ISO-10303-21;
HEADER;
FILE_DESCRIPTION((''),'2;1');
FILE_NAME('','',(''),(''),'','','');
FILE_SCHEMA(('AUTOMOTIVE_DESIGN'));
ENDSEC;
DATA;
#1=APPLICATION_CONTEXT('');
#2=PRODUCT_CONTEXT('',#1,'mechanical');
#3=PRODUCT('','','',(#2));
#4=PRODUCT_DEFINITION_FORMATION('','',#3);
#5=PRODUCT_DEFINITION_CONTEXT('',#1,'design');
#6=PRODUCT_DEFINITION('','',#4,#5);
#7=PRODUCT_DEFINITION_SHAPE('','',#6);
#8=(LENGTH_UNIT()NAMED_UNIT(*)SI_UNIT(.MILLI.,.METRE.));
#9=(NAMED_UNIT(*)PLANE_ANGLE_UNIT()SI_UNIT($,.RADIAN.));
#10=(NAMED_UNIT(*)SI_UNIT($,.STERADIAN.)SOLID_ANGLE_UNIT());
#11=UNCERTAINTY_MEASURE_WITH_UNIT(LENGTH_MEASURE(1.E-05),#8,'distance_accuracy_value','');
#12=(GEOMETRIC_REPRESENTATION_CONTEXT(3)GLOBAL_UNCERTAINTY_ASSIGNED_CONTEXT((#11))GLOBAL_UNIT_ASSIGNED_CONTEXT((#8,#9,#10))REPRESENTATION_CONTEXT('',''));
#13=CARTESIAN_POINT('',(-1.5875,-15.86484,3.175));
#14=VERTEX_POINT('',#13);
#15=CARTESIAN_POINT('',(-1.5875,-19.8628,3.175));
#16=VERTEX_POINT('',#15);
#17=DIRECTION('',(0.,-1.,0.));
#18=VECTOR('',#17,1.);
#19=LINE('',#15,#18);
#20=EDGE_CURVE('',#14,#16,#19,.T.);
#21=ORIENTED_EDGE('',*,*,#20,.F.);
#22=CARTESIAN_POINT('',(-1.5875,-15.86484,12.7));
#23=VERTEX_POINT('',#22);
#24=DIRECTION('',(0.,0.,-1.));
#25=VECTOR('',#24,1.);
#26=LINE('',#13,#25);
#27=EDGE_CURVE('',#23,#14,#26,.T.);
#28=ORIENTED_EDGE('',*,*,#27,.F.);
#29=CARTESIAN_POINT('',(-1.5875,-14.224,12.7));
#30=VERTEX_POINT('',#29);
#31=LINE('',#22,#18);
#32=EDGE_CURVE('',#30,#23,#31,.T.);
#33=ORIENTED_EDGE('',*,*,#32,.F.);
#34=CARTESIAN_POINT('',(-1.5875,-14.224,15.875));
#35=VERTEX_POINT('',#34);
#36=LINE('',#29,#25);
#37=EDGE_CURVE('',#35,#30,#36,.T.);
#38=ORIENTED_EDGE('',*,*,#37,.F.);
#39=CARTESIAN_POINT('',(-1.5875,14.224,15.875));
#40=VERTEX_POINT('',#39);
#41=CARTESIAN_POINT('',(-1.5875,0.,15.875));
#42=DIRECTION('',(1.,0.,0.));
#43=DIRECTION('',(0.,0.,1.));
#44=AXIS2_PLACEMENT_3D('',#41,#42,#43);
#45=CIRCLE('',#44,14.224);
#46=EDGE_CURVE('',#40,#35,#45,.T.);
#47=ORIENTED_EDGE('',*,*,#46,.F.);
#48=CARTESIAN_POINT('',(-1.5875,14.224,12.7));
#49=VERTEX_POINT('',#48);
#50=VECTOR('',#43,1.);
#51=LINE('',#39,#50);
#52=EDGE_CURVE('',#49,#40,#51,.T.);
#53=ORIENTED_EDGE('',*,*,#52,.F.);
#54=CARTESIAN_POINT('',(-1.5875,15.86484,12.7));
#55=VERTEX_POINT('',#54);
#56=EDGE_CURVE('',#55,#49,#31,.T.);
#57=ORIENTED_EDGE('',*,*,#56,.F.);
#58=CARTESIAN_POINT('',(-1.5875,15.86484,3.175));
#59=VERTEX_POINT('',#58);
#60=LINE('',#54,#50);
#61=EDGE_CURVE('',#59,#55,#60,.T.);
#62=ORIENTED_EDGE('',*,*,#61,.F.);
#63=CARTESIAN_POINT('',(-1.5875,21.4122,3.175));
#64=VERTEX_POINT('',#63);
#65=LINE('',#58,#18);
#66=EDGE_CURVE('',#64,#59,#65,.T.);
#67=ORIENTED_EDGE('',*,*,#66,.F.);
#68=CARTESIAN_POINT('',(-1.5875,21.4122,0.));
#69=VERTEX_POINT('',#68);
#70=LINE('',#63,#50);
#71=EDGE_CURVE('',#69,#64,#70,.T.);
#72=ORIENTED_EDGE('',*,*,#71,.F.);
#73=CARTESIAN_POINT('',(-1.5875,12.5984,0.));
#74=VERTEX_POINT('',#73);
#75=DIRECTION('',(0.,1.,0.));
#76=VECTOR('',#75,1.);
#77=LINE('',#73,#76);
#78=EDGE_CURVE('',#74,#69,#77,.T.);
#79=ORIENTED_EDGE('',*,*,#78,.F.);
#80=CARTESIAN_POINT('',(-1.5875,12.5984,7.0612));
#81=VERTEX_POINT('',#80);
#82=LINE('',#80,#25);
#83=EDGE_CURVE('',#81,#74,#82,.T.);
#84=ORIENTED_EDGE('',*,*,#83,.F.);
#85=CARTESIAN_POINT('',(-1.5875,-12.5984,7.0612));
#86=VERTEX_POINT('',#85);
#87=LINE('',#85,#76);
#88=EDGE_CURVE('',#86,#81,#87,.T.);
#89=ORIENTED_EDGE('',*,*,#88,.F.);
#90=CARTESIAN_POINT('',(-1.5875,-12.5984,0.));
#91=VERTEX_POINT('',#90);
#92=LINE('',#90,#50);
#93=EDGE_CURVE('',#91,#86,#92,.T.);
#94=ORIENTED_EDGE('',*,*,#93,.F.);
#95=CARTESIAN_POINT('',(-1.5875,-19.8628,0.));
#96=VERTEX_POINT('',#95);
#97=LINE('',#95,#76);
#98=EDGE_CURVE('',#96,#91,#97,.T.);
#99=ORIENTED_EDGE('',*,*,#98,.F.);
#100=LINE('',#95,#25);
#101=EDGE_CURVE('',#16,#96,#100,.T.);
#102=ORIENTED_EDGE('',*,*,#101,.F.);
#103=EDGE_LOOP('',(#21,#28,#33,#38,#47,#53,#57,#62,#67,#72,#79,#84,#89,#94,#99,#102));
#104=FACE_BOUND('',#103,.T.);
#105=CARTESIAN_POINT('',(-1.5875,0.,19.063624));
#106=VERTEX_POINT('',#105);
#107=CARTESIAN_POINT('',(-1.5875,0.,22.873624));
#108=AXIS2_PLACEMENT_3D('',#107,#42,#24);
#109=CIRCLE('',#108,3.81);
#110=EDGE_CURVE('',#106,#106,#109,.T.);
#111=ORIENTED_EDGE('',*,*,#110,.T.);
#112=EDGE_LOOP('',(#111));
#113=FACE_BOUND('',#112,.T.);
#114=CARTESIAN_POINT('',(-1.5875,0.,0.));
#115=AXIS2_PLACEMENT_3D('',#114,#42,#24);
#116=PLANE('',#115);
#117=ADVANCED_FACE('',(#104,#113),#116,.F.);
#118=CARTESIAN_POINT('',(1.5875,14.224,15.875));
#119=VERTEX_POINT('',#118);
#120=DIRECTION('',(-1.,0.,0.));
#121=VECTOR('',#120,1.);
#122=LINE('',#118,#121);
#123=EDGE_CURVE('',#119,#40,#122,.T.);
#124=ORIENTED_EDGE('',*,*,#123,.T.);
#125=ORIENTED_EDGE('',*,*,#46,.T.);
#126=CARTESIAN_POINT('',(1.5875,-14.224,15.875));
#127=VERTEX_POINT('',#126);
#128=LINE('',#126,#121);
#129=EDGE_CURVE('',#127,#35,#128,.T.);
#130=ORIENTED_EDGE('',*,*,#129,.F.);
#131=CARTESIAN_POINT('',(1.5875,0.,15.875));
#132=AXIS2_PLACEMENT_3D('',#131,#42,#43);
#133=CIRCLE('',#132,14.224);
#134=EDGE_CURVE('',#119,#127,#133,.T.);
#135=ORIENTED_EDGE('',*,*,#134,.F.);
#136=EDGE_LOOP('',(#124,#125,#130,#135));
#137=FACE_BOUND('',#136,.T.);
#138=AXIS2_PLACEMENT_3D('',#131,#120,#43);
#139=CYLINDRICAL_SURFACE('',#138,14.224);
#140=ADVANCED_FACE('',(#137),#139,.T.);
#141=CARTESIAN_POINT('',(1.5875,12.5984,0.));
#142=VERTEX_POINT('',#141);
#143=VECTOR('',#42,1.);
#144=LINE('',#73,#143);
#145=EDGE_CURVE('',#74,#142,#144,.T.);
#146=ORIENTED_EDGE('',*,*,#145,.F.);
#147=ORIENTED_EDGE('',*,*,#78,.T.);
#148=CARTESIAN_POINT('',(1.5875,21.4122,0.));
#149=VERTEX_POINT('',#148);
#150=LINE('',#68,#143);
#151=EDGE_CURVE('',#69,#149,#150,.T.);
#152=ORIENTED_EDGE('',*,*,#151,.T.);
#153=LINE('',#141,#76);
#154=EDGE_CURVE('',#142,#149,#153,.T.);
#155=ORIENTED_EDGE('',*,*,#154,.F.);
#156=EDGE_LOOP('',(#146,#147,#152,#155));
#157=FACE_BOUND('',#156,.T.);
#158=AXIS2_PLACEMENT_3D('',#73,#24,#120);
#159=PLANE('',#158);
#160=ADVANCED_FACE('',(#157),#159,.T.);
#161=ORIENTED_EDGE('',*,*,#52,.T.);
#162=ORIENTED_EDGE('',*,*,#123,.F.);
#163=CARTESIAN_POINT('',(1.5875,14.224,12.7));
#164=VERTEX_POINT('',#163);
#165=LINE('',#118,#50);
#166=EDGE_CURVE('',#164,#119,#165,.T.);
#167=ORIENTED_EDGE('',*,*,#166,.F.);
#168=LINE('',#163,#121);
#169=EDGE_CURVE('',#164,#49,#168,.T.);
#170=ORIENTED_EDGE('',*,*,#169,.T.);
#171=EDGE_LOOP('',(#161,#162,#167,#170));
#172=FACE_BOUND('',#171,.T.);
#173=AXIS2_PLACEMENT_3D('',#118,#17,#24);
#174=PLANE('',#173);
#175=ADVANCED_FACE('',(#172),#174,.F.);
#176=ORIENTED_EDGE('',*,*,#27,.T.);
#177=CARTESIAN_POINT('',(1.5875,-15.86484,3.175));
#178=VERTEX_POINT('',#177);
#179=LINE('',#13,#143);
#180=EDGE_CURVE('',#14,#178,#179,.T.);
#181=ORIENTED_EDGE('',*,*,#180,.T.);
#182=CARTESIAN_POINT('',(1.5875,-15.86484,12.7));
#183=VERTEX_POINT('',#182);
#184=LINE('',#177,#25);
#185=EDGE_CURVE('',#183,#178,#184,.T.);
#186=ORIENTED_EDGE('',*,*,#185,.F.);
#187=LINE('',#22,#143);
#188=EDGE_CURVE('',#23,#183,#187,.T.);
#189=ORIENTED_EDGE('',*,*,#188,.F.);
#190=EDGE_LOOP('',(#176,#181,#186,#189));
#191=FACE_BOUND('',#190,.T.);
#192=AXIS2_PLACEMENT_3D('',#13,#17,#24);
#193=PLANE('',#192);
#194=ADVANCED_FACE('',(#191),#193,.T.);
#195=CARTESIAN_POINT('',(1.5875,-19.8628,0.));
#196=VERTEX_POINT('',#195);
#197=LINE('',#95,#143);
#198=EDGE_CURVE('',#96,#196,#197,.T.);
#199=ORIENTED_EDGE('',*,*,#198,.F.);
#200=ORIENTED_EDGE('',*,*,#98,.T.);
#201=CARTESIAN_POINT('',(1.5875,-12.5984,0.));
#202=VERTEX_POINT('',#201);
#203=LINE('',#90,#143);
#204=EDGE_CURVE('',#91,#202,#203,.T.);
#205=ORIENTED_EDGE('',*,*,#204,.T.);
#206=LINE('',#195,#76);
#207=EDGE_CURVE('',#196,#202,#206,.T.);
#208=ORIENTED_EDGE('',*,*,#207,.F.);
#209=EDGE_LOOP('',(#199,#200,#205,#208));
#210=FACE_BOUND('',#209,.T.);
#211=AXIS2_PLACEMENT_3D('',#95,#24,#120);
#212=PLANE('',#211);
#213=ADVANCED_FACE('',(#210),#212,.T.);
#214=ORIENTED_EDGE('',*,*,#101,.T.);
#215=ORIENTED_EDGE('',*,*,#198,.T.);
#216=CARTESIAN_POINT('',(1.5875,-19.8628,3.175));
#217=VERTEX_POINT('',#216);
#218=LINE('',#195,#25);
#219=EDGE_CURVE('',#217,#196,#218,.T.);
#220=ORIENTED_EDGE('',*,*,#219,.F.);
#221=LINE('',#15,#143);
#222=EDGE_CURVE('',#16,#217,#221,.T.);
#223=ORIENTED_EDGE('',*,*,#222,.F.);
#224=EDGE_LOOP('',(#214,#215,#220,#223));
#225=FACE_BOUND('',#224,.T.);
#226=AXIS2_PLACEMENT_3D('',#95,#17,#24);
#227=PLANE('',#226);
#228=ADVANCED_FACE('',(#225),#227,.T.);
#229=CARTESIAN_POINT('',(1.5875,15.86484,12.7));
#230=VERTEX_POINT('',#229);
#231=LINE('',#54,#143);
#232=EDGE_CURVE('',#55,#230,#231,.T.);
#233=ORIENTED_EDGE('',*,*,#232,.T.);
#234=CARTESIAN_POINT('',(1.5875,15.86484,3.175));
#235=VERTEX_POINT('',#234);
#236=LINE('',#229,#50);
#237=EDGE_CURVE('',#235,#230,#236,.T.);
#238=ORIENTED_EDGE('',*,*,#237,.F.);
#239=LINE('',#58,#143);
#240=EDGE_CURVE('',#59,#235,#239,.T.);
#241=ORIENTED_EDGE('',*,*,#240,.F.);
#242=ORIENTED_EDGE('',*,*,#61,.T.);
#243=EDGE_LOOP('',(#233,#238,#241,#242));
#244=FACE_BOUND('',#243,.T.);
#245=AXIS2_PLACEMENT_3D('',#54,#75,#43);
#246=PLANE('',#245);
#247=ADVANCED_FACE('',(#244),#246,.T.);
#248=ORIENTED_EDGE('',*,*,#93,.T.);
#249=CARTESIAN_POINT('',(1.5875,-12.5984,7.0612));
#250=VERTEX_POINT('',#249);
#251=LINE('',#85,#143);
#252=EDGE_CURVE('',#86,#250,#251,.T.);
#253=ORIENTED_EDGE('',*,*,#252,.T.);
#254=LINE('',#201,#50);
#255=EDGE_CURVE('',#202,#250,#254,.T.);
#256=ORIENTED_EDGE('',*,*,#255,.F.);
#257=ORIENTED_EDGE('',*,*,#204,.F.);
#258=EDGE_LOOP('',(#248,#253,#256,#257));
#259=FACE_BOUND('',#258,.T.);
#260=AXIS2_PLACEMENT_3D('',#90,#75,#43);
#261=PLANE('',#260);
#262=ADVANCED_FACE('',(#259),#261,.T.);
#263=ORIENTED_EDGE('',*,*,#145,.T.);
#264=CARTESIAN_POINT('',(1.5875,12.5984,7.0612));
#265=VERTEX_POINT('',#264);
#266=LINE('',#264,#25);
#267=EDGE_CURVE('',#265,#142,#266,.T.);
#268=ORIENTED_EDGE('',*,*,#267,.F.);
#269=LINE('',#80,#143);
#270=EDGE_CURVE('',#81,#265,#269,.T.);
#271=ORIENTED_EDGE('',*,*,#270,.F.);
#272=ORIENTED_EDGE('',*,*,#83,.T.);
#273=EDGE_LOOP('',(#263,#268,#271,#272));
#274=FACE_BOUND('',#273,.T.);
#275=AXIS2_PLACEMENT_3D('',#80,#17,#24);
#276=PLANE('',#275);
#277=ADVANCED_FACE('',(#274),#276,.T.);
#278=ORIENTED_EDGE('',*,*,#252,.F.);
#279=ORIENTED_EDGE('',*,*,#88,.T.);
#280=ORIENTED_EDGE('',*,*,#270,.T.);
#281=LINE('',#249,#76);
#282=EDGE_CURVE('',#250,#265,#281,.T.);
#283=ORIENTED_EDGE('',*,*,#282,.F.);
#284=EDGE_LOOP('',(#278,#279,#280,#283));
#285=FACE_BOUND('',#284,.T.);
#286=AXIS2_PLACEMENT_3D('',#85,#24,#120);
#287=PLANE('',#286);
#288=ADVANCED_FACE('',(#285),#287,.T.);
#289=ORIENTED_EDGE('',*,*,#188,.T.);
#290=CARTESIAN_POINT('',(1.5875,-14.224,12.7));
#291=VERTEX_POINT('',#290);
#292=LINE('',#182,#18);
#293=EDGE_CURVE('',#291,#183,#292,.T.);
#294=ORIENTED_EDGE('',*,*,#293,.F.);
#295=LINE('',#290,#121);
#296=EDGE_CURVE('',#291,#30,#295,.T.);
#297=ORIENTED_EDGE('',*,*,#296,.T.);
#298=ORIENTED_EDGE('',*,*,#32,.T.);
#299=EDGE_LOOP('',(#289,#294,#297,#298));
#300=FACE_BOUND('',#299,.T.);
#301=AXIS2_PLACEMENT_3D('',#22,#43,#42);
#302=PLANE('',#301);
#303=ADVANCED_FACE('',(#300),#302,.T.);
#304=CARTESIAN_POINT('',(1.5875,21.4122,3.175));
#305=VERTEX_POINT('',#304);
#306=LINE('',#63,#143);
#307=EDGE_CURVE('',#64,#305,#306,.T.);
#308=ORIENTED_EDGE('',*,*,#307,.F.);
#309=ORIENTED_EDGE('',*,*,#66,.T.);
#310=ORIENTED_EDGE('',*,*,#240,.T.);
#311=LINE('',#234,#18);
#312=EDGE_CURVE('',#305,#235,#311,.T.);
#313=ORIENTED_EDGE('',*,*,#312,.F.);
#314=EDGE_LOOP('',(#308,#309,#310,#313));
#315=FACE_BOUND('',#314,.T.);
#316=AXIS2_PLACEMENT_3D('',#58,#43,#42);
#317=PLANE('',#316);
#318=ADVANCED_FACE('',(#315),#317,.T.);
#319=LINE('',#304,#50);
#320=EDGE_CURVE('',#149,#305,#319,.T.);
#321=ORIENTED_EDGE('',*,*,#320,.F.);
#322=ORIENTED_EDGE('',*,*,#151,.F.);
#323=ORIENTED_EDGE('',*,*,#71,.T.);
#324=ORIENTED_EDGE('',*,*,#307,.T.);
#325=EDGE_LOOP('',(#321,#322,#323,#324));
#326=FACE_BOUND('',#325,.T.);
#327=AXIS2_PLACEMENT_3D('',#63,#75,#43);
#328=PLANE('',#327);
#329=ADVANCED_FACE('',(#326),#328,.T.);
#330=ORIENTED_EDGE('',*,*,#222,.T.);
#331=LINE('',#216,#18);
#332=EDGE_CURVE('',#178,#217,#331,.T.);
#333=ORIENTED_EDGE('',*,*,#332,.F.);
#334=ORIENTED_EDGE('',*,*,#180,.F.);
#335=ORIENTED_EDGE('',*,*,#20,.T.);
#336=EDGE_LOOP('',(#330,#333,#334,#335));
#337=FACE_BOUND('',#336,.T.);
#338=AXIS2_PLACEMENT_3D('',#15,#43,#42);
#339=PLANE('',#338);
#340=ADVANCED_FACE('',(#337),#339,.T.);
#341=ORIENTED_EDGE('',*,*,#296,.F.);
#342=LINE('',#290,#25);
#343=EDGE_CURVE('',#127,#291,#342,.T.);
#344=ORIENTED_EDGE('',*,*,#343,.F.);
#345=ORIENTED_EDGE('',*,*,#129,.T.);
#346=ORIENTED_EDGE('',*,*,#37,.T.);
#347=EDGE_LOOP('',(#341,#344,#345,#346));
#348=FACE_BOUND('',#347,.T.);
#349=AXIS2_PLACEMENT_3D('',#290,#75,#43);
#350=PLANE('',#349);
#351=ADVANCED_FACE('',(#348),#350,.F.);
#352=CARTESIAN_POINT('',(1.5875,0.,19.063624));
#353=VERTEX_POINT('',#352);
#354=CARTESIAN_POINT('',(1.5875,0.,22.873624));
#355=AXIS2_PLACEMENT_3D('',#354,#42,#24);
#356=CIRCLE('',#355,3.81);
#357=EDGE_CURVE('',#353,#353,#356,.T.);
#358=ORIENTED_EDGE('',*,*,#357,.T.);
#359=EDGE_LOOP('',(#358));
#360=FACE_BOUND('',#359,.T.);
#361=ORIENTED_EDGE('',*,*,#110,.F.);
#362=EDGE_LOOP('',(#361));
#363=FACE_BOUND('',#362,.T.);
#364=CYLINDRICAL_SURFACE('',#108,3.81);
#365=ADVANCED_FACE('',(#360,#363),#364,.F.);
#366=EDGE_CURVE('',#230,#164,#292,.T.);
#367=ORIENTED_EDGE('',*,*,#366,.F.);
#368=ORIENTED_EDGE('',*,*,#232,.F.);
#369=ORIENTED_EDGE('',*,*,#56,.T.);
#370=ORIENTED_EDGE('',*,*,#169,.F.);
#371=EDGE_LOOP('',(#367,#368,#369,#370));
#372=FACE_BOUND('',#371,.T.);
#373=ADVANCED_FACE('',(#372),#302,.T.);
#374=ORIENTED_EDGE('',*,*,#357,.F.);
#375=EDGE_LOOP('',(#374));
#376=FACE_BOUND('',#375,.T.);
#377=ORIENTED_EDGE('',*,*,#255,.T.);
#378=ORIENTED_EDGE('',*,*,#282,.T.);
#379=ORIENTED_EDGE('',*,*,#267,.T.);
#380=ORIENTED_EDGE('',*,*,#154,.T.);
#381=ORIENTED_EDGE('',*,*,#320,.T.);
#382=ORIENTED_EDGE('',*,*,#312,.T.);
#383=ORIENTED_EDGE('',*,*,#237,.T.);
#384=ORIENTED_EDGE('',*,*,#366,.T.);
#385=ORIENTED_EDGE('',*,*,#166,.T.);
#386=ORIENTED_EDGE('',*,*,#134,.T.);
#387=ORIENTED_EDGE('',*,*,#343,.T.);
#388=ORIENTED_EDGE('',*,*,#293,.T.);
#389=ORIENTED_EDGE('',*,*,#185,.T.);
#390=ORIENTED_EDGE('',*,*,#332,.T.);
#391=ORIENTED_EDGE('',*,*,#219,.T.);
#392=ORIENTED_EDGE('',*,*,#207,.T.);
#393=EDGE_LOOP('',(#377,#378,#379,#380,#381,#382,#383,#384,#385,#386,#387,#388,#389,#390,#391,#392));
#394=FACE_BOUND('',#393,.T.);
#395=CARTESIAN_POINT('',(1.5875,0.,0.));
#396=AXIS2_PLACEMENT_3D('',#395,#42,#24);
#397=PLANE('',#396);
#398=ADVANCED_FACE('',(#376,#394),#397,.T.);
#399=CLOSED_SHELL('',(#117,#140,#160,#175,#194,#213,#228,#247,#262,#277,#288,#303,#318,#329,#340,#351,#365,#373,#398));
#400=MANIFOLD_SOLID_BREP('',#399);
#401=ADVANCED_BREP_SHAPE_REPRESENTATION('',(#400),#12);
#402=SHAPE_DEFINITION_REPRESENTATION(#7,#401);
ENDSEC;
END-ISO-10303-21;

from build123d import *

# Parameters (mm, degrees)
BOSS_EXTRUDE1_DEPTH = 1.5875
BOSS_EXTRUDE2_DEPTH = 1.5875
SKETCH5_R           = 3.81
CUT_EXTRUDE1_DEPTH  = 3.175


with BuildPart() as part:
    # Sketch3 → Boss-Extrude1 (new, symmetric)
    with BuildSketch(Plane.YZ):
        Polygon((-19.8628, 0), (-19.8628, 3.175), (-15.86484, 3.175), (-15.86484, 12.7), (15.86484, 12.7), (15.86484, 3.175), (21.4122, 3.175), (21.4122, 0), (12.5984, 0), (12.5984, 7.0612), (-12.5984, 7.0612), (-12.5984, 0), align=None)
    extrude(amount=BOSS_EXTRUDE1_DEPTH, both=True)

    # Sketch4 → Boss-Extrude2 (add, symmetric)
    with BuildSketch(Plane.YZ):
        with BuildLine():
            Line((-14.224, 12.7), (-14.224, 15.875))
            ThreePointArc((-14.224, 15.875), (0, 30.099), (14.224, 15.875))
            Line((14.224, 15.875), (14.224, 12.7))
            Line((14.224, 12.7), (15.86484, 12.7))
            Line((15.86484, 12.7), (15.86484, 3.175))
            Line((15.86484, 3.175), (21.4122, 3.175))
            Line((21.4122, 3.175), (21.4122, 0))
            Line((21.4122, 0), (12.5984, 0))
            Line((12.5984, 0), (12.5984, 7.0612))
            Line((12.5984, 7.0612), (-12.5984, 7.0612))
            Line((-12.5984, 7.0612), (-12.5984, 0))
            Line((-12.5984, 0), (-19.8628, 0))
            Line((-19.8628, 0), (-19.8628, 3.175))
            Line((-19.8628, 3.175), (-15.86484, 3.175))
            Line((-15.86484, 3.175), (-15.86484, 12.7))
            Line((-15.86484, 12.7), (-14.224, 12.7))
        make_face()
    extrude(amount=BOSS_EXTRUDE2_DEPTH, both=True)

    # Sketch5 → Cut-Extrude1 (cut)
    with BuildSketch(Plane.YZ.offset(1.5875)):
        with Locations(Location((0, 22.873624204, 0), (0, 0, 270))):
            Circle(SKETCH5_R)
    extrude(amount=-CUT_EXTRUDE1_DEPTH, mode=Mode.SUBTRACT)


solid = part.part
